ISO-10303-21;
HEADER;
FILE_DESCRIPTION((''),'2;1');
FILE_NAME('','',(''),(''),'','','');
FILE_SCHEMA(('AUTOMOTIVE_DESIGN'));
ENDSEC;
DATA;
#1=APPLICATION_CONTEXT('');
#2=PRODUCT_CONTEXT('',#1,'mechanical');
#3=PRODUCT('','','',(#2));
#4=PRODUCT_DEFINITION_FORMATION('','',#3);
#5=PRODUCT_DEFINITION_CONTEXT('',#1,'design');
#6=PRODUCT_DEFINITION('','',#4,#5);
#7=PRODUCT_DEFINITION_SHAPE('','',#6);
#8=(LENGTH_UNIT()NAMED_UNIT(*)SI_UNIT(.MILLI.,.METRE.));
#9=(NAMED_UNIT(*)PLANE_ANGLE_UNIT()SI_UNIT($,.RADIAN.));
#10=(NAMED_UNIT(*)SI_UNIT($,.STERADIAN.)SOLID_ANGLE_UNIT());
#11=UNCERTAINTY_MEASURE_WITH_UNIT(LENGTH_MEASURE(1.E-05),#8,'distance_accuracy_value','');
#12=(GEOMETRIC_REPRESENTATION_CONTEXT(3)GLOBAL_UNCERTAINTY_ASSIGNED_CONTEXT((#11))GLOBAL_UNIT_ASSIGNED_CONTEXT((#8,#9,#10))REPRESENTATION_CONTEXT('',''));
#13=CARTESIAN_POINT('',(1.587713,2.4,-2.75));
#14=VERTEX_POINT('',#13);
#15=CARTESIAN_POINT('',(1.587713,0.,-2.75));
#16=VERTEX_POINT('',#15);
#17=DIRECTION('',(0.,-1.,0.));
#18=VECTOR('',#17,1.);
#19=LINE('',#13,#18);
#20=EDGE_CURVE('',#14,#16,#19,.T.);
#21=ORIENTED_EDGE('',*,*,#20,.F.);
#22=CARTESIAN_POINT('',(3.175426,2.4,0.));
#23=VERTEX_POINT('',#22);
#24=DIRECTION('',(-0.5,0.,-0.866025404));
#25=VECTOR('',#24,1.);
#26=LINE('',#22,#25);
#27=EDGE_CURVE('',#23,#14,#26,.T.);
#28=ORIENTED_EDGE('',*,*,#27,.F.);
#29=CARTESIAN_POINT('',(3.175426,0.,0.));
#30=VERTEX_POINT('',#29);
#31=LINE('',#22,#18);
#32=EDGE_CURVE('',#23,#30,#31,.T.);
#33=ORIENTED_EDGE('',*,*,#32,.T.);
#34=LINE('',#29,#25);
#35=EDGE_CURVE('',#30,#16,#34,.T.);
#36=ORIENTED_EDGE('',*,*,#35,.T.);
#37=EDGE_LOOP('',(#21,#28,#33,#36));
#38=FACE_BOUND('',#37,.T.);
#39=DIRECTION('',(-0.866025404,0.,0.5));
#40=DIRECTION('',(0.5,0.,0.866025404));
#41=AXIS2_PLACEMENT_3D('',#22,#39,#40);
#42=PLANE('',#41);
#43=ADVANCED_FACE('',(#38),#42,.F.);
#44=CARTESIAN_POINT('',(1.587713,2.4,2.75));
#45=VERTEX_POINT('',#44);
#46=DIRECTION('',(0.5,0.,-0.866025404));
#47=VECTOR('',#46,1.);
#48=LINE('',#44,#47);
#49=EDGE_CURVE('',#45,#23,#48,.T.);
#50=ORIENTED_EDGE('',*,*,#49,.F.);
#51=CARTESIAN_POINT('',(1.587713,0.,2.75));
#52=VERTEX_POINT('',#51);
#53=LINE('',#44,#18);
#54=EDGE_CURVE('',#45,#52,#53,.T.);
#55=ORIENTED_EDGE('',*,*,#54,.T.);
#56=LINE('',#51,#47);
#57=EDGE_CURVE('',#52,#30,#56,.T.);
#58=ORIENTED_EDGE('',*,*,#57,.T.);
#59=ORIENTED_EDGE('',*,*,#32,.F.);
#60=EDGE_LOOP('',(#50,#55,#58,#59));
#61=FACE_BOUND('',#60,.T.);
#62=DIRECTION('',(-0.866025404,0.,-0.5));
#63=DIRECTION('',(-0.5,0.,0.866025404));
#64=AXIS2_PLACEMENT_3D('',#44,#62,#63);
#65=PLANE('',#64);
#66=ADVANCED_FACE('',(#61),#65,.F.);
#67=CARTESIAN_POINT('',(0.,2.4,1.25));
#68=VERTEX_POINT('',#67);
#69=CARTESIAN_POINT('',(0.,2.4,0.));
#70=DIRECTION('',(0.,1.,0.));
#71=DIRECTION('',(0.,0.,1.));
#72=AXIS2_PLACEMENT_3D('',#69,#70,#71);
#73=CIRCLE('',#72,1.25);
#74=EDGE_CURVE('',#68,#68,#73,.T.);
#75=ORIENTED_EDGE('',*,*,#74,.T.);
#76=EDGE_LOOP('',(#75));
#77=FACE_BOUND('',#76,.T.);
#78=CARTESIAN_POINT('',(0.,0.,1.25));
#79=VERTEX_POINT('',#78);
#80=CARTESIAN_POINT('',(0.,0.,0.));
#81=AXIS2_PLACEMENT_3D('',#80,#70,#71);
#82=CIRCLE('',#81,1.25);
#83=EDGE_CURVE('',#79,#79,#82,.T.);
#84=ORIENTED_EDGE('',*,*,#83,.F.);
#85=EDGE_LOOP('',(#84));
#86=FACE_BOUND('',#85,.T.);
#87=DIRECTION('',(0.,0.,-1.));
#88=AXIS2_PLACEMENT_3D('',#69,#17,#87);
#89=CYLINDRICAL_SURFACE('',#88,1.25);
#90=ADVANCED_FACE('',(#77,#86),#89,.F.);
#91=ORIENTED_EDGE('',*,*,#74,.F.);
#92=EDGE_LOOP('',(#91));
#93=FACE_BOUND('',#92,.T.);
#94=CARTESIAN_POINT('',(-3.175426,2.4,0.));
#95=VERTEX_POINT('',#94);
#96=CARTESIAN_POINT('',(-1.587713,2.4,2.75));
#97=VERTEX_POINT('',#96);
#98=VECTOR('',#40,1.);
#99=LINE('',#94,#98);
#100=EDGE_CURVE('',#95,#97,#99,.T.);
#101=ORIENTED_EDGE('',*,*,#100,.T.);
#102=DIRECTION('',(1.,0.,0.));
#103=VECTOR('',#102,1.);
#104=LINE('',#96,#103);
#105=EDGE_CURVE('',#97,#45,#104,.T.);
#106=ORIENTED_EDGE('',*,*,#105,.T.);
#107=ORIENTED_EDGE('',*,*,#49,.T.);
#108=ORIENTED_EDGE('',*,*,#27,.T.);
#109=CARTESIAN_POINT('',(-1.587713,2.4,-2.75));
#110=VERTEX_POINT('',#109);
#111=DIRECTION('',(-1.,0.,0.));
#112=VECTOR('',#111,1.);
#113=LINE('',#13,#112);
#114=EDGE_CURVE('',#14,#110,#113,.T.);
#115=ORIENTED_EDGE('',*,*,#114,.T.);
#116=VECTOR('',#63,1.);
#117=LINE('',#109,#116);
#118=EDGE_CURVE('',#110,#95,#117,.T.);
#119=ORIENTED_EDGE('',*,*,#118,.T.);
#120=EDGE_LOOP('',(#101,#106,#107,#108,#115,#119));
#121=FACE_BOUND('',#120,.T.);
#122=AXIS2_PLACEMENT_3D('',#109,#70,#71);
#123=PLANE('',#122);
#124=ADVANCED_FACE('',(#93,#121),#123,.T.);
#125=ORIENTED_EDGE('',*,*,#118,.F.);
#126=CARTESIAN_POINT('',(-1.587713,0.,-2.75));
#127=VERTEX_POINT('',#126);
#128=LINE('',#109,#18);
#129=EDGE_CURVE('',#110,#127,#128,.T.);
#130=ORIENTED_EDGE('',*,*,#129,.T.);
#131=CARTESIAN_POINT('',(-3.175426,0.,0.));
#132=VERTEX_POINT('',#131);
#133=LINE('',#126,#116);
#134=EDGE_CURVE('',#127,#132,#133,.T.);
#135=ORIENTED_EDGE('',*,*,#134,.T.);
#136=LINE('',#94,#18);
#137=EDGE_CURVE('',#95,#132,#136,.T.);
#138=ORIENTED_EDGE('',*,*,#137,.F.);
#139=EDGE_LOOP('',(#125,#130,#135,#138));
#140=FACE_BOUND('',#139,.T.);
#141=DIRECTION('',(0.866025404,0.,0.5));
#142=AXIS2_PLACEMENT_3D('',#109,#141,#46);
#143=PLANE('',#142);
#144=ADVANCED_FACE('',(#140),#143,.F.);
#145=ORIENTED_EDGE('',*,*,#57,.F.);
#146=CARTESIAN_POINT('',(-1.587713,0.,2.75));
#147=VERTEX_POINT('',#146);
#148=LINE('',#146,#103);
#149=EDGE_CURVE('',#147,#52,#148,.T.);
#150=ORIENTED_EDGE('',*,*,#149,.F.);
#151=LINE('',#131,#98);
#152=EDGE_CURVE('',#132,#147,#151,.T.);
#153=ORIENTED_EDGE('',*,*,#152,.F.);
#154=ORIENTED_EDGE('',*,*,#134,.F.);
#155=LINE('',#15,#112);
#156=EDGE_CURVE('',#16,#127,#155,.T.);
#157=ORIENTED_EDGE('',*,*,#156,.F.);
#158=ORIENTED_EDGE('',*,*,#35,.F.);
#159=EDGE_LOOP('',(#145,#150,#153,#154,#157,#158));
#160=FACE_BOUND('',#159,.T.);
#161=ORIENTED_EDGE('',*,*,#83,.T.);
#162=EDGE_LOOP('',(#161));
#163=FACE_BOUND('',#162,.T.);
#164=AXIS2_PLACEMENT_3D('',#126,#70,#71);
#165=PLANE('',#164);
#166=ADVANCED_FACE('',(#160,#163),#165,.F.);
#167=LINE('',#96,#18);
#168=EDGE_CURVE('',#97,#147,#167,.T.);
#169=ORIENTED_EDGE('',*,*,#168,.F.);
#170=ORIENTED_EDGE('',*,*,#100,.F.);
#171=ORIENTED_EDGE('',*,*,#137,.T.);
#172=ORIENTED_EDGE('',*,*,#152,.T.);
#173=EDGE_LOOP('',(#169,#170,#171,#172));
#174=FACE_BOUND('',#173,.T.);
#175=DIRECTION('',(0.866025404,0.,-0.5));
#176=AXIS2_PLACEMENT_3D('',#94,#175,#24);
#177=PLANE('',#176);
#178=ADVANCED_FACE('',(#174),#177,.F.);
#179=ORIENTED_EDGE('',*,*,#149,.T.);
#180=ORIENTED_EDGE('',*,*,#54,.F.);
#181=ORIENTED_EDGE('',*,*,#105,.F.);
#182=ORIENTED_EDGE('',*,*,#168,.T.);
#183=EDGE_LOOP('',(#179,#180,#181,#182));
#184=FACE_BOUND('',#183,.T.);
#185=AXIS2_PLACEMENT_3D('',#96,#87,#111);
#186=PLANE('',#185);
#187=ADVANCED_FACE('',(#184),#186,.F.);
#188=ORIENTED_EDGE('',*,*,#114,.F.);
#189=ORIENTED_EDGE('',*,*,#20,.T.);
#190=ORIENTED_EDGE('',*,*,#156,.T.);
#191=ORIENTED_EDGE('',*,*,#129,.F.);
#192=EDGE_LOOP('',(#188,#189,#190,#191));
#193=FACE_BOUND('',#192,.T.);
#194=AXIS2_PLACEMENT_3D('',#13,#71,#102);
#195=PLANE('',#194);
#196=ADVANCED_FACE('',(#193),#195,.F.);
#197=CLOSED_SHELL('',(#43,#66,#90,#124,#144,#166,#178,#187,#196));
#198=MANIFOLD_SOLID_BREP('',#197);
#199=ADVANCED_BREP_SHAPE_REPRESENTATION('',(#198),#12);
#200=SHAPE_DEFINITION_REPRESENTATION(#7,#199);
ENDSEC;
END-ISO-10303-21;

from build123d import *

# Parameters (mm, degrees)
CROQUIS1_R              = 1.25
SALIENTE_EXTRUIR1_DEPTH = 2.4


with BuildPart() as part:
    # Croquis1 → Saliente-Extruir1 (new body)
    with BuildSketch(Plane(origin=(0, 0, 0), x_dir=(1, 0, 0), z_dir=(0, 1, 0))):
        Polygon((-1.58771324, 2.75), (-3.175426481, 0), (-1.58771324, -2.75), (1.58771324, -2.75), (3.175426481, 0), (1.58771324, 2.75), align=None)
        Circle(CROQUIS1_R, mode=Mode.SUBTRACT)
    extrude(amount=SALIENTE_EXTRUIR1_DEPTH)


solid = part.part
